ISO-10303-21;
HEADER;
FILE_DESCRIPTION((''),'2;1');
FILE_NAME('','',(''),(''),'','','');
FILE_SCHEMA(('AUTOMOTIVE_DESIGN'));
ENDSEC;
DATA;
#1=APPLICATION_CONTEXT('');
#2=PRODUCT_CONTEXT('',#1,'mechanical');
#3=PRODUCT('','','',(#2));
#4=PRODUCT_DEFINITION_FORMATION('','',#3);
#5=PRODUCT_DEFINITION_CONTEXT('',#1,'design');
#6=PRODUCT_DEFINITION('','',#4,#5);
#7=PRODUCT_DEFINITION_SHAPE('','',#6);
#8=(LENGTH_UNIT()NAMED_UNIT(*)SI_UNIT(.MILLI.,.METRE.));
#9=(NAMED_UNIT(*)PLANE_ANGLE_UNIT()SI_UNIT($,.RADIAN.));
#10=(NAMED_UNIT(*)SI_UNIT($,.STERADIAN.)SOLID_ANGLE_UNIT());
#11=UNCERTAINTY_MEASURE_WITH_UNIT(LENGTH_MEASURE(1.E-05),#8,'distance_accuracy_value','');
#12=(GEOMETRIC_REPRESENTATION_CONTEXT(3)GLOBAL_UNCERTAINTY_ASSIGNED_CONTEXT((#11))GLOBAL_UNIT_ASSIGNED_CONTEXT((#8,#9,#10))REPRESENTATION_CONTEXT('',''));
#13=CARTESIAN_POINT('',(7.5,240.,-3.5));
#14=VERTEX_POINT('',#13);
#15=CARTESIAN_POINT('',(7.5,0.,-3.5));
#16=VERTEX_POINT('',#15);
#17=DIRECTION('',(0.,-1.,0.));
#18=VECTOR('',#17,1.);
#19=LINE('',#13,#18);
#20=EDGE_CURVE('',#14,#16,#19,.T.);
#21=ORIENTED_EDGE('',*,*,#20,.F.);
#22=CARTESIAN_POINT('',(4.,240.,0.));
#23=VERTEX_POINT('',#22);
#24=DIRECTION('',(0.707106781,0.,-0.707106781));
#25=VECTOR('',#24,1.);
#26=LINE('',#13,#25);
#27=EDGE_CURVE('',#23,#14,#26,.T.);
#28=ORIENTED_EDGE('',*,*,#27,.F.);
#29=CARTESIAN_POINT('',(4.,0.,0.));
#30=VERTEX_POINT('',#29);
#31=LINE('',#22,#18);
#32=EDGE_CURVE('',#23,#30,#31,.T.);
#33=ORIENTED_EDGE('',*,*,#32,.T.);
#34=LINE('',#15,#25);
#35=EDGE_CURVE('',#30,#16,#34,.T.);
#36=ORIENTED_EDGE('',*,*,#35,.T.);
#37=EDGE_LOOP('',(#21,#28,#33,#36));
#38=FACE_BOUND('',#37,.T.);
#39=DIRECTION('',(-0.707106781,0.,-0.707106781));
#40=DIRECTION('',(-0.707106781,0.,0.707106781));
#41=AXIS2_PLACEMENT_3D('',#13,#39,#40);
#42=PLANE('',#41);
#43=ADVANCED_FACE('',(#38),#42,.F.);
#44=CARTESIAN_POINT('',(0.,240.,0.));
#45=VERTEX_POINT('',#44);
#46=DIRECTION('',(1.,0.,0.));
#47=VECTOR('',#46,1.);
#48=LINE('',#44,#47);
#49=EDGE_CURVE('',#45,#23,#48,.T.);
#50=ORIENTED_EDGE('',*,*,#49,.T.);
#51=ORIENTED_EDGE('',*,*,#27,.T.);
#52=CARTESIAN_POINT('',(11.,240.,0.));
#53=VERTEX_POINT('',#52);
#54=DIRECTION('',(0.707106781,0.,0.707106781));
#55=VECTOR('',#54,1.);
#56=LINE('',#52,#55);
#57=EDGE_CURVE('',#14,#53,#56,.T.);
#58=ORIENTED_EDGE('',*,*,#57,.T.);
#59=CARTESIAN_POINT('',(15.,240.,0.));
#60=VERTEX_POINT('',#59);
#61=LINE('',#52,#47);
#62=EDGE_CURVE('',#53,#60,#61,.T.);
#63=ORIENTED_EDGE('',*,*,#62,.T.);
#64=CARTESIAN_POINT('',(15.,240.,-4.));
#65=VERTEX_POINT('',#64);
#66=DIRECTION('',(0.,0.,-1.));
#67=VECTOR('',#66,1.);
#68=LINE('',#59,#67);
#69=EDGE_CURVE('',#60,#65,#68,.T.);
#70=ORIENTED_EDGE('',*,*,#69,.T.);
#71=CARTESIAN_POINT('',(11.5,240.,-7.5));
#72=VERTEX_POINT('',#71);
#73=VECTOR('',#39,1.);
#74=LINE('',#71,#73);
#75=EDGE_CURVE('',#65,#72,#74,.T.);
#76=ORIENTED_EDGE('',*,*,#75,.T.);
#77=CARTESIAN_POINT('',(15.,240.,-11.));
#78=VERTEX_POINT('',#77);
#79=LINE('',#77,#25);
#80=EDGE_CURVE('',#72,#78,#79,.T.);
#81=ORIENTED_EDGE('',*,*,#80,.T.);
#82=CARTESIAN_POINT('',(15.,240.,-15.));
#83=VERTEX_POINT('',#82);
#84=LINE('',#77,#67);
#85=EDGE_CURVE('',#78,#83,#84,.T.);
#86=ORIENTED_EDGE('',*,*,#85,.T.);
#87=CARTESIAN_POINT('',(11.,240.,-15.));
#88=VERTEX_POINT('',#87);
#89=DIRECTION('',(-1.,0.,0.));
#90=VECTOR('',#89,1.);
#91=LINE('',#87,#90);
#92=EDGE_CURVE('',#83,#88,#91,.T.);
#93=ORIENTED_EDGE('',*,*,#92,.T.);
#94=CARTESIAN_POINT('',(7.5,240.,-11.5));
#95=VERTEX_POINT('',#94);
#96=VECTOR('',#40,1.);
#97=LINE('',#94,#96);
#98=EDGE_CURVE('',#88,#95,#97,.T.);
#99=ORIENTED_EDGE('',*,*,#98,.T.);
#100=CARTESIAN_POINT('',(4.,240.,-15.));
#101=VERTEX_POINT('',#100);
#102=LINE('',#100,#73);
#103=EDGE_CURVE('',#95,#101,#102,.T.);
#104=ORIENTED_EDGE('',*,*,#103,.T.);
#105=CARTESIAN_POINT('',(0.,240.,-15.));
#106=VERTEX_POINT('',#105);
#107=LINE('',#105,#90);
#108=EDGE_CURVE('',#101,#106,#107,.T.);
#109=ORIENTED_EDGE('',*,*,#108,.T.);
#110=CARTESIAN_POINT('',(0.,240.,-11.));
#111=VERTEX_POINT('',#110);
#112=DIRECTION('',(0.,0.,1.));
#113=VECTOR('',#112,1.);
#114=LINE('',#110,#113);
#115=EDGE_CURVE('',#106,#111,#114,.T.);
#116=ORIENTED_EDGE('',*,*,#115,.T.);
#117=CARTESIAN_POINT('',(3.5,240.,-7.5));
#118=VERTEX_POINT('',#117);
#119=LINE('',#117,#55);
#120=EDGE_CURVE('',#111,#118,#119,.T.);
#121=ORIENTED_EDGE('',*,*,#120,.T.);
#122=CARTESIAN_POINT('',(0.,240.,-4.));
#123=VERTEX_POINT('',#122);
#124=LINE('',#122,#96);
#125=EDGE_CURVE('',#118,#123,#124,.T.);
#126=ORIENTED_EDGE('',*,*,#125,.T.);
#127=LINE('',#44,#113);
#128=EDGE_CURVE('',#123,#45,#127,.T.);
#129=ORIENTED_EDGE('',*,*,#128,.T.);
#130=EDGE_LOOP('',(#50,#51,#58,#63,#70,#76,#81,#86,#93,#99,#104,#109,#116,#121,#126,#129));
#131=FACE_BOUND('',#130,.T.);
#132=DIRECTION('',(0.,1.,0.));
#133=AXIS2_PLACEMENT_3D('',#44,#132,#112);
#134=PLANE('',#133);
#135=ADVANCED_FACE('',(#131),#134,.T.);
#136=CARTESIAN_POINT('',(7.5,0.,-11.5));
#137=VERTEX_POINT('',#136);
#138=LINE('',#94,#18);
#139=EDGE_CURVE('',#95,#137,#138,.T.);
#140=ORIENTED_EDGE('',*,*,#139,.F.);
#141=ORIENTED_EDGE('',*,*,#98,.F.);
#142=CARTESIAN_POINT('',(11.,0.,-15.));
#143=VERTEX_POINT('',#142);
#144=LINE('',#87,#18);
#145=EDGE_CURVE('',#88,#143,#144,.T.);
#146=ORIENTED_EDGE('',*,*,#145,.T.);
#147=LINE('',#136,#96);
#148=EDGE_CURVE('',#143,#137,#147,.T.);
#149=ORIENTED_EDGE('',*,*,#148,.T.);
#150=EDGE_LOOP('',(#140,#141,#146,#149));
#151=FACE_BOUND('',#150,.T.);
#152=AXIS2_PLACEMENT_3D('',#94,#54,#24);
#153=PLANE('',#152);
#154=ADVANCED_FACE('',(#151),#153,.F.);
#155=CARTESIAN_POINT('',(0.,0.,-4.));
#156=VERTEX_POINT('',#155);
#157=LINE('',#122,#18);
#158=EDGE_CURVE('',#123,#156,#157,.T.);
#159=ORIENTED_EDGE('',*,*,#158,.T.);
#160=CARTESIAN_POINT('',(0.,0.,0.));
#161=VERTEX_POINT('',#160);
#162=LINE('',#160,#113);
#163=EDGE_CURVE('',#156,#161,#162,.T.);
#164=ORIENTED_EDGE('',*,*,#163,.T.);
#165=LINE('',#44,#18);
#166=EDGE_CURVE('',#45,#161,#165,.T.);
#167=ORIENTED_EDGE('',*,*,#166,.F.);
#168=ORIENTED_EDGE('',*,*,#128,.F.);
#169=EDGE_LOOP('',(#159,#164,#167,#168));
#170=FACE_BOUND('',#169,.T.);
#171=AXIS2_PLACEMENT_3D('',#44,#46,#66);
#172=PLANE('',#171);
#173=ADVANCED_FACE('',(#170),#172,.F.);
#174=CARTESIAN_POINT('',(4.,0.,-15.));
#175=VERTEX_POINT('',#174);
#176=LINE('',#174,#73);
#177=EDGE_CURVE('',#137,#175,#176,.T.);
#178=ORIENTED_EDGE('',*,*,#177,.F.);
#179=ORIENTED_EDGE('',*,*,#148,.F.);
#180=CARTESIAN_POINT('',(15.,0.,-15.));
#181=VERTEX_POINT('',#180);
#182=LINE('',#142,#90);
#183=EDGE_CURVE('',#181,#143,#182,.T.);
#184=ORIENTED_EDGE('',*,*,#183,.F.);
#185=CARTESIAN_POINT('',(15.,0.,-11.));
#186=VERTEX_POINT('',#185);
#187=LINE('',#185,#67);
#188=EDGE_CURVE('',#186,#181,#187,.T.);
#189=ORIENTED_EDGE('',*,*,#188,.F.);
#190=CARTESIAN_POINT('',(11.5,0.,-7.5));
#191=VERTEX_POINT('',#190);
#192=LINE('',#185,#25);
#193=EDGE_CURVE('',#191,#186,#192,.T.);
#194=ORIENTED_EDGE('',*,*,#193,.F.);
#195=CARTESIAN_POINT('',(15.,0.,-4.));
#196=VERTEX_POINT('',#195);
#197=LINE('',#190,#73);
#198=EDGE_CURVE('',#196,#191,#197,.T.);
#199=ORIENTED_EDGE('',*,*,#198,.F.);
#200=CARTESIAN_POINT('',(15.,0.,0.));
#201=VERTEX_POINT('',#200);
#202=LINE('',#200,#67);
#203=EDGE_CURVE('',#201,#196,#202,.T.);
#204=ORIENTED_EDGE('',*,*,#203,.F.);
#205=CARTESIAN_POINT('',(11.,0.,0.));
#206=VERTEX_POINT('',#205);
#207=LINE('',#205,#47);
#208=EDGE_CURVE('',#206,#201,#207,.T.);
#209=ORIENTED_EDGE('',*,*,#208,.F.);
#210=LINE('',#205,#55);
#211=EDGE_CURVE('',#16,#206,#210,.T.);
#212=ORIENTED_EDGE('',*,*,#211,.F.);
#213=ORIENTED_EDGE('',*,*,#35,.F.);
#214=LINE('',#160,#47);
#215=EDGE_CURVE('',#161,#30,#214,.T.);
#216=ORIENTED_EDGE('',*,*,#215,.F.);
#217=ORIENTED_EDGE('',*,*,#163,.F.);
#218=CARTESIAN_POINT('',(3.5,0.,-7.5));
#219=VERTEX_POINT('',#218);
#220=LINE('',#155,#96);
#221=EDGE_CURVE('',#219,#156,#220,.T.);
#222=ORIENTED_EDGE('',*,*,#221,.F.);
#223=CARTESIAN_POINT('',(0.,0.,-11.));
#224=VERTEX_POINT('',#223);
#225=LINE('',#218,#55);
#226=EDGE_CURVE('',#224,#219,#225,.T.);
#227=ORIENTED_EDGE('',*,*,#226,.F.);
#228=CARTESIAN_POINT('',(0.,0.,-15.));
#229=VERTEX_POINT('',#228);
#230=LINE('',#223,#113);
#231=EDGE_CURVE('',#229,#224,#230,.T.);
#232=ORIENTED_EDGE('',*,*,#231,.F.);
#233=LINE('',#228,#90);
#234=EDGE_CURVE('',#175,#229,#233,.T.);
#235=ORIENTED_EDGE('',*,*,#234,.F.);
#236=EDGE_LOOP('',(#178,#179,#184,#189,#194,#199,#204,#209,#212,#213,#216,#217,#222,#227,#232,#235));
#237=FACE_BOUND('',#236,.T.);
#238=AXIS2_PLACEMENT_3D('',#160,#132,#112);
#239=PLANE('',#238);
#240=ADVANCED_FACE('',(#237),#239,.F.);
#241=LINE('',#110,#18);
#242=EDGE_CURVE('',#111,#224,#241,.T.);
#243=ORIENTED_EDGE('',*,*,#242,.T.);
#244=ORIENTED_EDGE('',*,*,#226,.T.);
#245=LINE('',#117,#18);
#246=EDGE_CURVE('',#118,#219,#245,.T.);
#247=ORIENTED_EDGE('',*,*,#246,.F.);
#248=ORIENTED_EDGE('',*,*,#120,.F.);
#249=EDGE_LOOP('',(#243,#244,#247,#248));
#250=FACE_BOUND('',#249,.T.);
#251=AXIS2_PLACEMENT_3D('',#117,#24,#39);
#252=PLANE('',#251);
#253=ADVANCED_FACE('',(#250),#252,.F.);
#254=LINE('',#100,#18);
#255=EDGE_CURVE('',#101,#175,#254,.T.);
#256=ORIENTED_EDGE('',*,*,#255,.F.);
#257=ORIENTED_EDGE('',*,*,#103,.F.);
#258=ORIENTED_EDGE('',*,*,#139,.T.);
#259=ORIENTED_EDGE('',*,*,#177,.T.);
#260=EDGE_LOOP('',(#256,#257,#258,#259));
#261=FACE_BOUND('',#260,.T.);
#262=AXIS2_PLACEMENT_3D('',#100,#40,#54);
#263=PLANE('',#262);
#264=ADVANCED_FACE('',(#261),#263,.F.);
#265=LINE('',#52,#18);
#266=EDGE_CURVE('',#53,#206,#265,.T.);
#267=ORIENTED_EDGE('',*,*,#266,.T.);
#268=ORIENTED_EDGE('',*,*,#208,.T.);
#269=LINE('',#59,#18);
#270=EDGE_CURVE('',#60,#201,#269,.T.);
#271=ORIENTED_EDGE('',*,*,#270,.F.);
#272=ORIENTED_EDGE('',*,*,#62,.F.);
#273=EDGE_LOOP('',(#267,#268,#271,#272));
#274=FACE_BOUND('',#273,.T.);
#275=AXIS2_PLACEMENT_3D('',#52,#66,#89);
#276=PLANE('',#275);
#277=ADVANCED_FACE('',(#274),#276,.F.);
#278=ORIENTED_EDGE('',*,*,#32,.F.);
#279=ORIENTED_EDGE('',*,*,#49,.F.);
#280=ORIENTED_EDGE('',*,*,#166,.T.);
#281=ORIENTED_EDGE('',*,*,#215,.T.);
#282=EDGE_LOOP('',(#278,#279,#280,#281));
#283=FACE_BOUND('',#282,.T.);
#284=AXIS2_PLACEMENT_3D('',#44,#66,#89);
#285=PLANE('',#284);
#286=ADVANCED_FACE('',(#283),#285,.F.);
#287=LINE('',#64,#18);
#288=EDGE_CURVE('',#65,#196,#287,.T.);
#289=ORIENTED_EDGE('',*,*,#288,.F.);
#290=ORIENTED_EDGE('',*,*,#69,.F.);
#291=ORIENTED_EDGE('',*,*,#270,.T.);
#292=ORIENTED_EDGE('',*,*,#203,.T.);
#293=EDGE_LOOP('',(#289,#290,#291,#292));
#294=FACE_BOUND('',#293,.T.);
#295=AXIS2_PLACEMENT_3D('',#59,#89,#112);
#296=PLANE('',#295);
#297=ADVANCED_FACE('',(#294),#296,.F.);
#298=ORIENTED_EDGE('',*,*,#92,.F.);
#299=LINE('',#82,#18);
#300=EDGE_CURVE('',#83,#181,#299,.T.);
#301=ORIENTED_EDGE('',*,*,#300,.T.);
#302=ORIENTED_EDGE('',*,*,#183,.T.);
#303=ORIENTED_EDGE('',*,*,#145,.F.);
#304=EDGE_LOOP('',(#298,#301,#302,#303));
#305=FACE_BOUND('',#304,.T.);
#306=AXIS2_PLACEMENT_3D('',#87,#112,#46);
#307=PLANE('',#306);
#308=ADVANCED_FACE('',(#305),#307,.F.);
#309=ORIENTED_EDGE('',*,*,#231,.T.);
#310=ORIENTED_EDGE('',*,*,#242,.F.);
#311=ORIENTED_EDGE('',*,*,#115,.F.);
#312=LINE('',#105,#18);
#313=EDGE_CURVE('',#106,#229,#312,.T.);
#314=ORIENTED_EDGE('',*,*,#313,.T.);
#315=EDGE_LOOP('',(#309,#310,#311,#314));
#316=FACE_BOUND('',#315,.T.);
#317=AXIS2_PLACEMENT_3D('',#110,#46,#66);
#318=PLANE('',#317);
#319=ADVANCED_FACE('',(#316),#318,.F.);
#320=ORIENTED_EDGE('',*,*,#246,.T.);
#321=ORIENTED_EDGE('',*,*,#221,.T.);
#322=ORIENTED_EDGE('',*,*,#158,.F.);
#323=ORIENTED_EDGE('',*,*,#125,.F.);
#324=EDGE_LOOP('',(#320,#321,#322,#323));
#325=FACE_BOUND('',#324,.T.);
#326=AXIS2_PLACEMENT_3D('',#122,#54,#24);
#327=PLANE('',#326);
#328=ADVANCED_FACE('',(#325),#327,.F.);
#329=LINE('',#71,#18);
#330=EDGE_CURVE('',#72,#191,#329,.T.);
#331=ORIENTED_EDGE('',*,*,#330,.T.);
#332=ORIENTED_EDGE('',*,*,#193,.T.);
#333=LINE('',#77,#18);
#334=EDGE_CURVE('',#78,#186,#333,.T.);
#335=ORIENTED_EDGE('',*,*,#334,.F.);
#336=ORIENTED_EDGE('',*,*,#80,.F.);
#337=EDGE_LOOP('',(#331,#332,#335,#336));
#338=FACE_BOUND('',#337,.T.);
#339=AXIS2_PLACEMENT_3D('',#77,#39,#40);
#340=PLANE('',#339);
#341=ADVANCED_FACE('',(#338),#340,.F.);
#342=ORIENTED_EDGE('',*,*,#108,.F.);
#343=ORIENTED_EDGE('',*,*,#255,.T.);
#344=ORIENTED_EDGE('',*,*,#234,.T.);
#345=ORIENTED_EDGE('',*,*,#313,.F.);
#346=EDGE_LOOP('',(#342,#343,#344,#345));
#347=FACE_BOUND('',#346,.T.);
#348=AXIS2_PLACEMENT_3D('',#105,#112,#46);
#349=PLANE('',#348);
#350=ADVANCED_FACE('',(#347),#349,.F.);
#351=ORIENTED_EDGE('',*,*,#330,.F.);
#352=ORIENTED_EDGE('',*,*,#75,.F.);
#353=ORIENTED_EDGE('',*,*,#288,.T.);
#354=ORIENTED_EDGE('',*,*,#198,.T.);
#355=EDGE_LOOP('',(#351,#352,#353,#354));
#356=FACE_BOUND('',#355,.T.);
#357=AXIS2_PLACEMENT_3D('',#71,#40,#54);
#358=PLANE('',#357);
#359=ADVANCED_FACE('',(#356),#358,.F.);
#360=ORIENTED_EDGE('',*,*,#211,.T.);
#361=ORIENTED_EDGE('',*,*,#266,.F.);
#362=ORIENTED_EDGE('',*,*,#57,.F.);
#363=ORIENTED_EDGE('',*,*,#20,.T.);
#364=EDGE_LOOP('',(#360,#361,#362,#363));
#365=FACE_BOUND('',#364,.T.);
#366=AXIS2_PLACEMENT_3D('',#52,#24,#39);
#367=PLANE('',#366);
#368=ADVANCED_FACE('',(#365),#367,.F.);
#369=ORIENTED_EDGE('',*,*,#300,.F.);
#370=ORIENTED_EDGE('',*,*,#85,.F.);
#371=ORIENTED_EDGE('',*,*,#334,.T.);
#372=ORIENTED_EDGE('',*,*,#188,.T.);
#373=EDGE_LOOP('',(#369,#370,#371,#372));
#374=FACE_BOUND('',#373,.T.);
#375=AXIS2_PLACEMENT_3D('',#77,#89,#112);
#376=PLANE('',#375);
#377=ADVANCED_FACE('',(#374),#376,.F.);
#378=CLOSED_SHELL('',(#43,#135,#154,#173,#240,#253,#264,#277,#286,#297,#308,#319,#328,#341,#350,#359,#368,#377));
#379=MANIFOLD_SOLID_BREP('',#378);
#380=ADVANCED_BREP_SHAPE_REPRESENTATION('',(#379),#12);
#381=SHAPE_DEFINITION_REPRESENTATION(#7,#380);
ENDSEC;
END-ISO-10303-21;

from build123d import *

# Parameters (mm, degrees)
BOSS_EXTRUDE1_DEPTH = 240


with BuildPart() as part:
    # Sketch1 → Boss-Extrude1 (new body)
    with BuildSketch(Plane(origin=(0, 0, 0), x_dir=(1, 0, 0), z_dir=(0, 1, 0))):
        Polygon((0, 0), (4, 0), (7.5, 3.5), (11, 0), (15, 0), (15, 4), (11.5, 7.5), (15, 11), (15, 15), (11, 15), (7.5, 11.5), (4, 15), (0, 15), (0, 11), (3.5, 7.5), (0, 4), align=None)
    extrude(amount=BOSS_EXTRUDE1_DEPTH)


solid = part.part
